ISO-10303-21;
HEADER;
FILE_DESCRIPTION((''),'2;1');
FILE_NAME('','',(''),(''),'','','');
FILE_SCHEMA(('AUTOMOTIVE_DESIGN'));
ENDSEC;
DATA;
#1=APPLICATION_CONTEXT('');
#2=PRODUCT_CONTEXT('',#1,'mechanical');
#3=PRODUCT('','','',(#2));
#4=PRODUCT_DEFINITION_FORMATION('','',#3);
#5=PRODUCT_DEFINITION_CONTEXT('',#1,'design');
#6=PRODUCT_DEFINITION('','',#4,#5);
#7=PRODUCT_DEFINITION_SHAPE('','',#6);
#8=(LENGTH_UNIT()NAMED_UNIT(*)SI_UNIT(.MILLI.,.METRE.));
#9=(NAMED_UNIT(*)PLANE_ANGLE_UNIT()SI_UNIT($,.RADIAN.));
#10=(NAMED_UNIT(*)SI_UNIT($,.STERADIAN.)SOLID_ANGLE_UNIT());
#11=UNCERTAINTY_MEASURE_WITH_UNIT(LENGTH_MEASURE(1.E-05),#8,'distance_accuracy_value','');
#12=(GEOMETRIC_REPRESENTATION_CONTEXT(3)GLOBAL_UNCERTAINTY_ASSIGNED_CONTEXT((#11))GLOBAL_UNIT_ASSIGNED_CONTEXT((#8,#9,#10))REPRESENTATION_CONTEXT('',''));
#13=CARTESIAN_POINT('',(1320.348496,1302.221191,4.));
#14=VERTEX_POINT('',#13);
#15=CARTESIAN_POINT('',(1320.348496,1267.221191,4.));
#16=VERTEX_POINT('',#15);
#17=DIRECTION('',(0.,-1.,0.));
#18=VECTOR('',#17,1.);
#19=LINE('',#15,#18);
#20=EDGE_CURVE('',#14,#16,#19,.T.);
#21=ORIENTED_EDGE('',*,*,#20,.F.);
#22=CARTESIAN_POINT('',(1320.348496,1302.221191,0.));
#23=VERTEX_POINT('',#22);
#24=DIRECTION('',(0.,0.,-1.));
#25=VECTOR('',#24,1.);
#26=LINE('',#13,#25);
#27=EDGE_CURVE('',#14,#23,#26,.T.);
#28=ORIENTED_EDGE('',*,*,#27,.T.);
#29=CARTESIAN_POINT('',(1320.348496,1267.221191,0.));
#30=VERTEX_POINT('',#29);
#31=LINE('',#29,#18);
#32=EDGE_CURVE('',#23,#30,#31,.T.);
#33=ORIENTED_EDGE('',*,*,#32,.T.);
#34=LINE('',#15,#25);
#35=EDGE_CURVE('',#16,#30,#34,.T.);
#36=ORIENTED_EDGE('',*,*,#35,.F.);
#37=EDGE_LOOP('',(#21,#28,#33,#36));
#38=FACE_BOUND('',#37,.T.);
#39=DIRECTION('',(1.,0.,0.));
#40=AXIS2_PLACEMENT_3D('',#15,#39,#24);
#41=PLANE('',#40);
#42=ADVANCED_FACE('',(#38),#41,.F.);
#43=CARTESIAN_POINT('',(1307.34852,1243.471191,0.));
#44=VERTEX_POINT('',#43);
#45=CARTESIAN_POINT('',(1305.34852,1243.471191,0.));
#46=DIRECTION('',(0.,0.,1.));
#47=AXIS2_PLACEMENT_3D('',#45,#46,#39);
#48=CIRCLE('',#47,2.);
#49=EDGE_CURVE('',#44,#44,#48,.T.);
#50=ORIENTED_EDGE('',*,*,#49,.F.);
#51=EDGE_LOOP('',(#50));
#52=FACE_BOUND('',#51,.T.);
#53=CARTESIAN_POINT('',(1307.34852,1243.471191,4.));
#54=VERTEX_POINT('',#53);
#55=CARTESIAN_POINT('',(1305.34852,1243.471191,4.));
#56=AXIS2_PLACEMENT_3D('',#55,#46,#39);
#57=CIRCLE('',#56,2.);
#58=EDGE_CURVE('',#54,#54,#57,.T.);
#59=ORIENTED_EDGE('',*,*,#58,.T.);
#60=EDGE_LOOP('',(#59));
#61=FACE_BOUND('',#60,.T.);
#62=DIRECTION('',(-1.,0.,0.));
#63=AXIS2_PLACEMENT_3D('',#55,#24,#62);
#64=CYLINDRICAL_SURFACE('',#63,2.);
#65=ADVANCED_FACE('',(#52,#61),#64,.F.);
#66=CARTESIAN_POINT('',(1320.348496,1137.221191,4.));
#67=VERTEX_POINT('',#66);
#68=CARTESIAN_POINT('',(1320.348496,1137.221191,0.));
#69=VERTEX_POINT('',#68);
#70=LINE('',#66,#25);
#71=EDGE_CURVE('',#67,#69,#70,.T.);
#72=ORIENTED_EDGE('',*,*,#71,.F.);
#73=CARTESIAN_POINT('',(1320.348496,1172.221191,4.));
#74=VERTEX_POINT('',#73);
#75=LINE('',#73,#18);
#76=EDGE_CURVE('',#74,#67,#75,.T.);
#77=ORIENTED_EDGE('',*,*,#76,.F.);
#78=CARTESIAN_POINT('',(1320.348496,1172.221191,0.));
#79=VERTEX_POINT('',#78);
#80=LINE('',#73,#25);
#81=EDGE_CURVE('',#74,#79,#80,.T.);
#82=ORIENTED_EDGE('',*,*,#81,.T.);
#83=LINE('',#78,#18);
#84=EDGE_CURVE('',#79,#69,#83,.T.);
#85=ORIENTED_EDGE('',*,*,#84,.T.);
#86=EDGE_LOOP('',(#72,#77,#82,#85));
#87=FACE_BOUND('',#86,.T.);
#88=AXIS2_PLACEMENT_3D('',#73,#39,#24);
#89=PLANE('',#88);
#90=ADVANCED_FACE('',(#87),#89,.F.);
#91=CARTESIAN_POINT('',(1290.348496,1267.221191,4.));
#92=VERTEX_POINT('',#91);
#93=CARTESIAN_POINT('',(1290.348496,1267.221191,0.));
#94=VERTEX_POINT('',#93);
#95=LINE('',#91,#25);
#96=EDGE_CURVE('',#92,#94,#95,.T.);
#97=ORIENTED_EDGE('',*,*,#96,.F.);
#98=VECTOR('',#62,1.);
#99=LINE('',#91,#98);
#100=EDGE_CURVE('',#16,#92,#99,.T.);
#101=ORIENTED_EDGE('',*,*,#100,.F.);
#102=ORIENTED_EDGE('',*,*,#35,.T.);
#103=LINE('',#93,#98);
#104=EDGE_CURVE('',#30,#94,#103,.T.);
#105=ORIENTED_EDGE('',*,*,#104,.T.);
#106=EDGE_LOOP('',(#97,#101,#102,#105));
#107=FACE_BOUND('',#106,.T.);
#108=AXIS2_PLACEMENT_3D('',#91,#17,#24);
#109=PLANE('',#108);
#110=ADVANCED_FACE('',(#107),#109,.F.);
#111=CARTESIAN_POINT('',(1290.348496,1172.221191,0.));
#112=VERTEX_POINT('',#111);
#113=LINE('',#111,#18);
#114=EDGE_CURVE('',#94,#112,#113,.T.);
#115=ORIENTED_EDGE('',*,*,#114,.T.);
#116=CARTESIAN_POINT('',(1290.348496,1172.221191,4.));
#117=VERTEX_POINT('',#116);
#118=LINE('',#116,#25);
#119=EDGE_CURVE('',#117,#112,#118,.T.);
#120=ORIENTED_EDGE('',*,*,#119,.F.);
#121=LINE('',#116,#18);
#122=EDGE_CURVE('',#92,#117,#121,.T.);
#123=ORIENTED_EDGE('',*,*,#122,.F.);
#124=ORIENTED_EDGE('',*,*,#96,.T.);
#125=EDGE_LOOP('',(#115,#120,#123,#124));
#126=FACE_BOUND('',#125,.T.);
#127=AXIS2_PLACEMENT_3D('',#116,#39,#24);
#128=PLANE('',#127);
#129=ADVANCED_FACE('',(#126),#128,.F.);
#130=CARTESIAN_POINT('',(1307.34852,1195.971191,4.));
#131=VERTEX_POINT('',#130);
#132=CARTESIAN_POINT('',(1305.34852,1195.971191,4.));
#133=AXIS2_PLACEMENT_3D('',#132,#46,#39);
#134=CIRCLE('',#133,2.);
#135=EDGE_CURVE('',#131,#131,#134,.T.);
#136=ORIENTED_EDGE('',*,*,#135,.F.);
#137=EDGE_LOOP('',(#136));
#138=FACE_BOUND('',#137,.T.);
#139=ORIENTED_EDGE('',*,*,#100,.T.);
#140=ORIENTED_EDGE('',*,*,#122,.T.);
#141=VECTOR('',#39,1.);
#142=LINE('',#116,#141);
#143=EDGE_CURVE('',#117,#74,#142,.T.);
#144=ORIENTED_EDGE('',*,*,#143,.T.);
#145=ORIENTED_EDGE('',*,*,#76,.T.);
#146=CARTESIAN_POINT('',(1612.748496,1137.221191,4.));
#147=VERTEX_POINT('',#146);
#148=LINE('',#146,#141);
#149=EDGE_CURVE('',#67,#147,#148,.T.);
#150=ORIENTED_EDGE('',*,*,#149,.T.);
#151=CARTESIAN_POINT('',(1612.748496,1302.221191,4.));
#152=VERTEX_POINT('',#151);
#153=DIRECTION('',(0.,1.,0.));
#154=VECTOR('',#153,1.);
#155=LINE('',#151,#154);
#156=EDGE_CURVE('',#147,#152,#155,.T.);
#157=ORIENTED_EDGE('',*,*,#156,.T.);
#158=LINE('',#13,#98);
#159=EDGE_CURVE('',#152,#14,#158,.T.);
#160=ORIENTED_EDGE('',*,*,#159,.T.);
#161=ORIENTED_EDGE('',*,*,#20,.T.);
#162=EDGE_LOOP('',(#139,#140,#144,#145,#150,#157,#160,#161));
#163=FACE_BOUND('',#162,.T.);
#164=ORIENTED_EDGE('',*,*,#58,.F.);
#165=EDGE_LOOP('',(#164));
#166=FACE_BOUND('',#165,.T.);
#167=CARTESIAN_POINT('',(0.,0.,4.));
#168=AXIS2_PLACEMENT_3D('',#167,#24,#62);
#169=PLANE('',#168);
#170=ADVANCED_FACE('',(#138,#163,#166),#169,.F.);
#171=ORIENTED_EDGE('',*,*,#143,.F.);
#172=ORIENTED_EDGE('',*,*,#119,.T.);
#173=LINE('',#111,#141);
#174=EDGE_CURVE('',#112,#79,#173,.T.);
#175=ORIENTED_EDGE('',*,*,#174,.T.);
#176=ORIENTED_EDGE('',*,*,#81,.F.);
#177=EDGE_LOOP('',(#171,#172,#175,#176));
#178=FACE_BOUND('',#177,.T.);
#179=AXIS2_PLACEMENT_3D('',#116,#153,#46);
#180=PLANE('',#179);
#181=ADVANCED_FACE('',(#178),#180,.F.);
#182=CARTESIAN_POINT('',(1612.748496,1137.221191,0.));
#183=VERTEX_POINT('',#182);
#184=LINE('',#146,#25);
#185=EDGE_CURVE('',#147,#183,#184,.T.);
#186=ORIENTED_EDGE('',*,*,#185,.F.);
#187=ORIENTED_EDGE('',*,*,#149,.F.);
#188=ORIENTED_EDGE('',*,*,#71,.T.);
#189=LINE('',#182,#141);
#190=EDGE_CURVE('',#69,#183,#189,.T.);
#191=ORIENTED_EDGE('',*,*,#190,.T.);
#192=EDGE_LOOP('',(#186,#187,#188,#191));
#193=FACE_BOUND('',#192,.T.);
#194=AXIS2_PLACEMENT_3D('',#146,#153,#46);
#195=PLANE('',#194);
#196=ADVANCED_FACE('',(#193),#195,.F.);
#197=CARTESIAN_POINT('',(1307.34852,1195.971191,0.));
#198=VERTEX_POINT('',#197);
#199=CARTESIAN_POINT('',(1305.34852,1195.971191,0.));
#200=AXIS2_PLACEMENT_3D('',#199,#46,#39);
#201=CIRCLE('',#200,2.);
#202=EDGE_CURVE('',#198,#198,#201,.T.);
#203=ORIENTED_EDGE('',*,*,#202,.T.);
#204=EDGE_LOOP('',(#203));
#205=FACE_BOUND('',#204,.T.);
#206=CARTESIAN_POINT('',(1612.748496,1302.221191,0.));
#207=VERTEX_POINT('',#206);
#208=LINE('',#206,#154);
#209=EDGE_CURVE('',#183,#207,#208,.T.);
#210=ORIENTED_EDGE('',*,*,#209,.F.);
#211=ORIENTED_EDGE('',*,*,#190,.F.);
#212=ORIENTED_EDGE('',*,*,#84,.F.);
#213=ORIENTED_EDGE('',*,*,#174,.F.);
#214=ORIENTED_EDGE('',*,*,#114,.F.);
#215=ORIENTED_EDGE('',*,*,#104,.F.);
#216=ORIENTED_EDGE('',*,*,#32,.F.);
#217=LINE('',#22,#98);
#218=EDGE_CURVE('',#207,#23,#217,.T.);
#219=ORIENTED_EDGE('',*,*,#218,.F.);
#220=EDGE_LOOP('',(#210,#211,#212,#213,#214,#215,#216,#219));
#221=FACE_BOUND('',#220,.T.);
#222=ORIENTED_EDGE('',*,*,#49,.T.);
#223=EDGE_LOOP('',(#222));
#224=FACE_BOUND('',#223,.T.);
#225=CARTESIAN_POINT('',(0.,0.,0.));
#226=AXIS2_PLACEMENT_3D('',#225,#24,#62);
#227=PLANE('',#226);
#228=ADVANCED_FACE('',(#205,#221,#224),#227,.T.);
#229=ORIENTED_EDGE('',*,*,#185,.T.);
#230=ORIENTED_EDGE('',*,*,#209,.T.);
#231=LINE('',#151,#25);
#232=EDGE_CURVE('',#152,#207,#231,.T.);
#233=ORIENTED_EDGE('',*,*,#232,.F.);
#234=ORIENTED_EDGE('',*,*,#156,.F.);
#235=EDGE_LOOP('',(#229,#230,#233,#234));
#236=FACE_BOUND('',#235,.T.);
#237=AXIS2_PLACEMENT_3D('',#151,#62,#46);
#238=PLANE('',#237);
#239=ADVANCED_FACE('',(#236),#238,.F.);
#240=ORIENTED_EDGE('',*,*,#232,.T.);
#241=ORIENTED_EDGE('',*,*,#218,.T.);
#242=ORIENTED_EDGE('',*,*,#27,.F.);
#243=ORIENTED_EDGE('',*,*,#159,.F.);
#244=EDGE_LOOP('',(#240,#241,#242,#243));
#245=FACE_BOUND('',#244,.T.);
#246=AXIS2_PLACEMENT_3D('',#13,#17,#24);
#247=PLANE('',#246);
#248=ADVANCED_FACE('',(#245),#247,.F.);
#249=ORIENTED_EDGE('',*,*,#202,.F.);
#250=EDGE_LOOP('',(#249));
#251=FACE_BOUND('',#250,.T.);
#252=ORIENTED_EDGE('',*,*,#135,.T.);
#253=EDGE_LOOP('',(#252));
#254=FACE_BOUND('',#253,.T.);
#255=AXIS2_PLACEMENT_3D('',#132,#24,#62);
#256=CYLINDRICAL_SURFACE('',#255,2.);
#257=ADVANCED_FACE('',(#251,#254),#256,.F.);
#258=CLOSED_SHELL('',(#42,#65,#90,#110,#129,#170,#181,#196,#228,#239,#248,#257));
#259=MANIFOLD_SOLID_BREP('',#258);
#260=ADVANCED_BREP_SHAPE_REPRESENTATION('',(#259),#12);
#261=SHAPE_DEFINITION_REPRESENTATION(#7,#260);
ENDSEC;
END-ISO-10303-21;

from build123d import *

# Parameters (mm, degrees)
SKETCH1_R           = 2
BOSS_EXTRUDE1_DEPTH = 4


with BuildPart() as part:
    # Sketch1 → Boss-Extrude1 (new body)
    with BuildSketch(Plane.XY):
        Polygon((1290.348495848, 1267.221190617), (1320.348495847, 1267.221190617), (1320.348495847, 1302.221190774), (1612.748495862, 1302.221190774), (1612.748495862, 1137.221190551), (1320.348495847, 1137.221190551), (1320.348495847, 1172.221190551), (1290.348495848, 1172.221190551), align=None)
        with Locations((1305.348520336, 1243.471190636)):
            Circle(SKETCH1_R, mode=Mode.SUBTRACT)
        with Locations((1305.348520336, 1195.971190682)):
            Circle(SKETCH1_R, mode=Mode.SUBTRACT)
    extrude(amount=BOSS_EXTRUDE1_DEPTH)


solid = part.part
